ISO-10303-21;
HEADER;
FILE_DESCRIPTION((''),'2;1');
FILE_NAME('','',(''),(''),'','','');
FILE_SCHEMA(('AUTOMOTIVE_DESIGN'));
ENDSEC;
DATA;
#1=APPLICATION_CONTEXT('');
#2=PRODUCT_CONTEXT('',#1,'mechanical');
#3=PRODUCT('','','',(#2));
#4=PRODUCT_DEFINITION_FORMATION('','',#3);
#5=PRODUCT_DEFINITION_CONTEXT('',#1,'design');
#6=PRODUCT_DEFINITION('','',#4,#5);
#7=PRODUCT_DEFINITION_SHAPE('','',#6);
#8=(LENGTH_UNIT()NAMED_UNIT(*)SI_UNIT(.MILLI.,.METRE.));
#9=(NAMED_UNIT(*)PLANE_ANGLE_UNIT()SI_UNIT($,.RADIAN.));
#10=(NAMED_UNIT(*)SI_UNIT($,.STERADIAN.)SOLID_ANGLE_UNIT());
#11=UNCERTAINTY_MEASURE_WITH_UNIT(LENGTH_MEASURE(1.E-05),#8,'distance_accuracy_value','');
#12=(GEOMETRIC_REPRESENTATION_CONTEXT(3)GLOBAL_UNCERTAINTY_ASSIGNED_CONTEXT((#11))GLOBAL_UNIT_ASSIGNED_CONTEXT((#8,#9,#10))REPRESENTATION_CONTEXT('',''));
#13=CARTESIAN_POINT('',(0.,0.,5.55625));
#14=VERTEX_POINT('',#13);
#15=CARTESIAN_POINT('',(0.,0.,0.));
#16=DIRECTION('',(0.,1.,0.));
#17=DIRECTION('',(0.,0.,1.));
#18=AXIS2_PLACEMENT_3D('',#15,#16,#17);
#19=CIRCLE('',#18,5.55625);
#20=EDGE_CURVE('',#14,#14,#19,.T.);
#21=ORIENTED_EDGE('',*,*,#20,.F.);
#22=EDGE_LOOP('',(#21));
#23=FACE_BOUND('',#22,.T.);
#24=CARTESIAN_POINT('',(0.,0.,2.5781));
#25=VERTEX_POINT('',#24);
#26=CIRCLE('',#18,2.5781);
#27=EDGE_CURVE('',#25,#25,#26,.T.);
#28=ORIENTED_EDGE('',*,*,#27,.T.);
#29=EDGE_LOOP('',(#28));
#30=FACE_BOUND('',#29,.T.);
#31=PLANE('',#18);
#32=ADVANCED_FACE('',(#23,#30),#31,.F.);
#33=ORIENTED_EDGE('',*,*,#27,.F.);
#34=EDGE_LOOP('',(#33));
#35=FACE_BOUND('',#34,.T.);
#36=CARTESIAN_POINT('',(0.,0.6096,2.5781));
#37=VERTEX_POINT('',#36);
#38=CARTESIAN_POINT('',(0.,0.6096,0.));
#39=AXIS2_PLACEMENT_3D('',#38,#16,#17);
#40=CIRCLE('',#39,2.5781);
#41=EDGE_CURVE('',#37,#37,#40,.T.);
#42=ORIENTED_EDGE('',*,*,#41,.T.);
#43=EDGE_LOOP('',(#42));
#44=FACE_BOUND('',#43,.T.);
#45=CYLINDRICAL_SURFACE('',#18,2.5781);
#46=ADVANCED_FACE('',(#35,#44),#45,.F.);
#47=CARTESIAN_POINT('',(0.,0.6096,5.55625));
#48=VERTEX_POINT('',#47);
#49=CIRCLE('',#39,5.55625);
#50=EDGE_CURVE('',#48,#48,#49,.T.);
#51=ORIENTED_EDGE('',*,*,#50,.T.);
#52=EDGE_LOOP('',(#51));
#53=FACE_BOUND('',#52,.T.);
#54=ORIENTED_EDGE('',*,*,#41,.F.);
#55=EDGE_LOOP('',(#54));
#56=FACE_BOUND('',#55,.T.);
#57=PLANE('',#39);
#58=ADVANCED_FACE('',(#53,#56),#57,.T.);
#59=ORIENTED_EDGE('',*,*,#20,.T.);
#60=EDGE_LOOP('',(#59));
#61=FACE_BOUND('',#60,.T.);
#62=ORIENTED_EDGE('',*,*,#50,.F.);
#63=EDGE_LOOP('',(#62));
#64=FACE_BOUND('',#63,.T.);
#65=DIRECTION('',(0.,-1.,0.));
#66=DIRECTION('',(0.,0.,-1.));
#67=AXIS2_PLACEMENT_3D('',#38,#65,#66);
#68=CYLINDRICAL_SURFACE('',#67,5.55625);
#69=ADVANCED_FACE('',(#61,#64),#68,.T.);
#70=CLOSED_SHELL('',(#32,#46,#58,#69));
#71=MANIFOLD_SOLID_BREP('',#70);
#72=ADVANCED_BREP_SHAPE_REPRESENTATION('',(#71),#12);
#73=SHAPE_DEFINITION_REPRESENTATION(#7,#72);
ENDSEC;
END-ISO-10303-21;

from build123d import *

# Parameters (mm, degrees)
SKETCH1_R           = 5.55625
BOSS_EXTRUDE1_DEPTH = 0.6096
SKETCH5_R           = 2.5781
CUT_EXTRUDE1_DEPTH  = 1.6096


with BuildPart() as part:
    # Sketch1 → Boss-Extrude1 (new body)
    with BuildSketch(Plane(origin=(0, 0, 0), x_dir=(1, 0, 0), z_dir=(0, 1, 0))):
        Circle(SKETCH1_R)
    extrude(amount=BOSS_EXTRUDE1_DEPTH)

    # Sketch5 → Cut-Extrude1 (cut, through all)
    with BuildSketch(Plane(origin=(0, 0.6096, 0), x_dir=(-1, 0, 0), z_dir=(0, 1, 0))):
        Circle(SKETCH5_R)
    extrude(amount=-CUT_EXTRUDE1_DEPTH, mode=Mode.SUBTRACT)


solid = part.part
